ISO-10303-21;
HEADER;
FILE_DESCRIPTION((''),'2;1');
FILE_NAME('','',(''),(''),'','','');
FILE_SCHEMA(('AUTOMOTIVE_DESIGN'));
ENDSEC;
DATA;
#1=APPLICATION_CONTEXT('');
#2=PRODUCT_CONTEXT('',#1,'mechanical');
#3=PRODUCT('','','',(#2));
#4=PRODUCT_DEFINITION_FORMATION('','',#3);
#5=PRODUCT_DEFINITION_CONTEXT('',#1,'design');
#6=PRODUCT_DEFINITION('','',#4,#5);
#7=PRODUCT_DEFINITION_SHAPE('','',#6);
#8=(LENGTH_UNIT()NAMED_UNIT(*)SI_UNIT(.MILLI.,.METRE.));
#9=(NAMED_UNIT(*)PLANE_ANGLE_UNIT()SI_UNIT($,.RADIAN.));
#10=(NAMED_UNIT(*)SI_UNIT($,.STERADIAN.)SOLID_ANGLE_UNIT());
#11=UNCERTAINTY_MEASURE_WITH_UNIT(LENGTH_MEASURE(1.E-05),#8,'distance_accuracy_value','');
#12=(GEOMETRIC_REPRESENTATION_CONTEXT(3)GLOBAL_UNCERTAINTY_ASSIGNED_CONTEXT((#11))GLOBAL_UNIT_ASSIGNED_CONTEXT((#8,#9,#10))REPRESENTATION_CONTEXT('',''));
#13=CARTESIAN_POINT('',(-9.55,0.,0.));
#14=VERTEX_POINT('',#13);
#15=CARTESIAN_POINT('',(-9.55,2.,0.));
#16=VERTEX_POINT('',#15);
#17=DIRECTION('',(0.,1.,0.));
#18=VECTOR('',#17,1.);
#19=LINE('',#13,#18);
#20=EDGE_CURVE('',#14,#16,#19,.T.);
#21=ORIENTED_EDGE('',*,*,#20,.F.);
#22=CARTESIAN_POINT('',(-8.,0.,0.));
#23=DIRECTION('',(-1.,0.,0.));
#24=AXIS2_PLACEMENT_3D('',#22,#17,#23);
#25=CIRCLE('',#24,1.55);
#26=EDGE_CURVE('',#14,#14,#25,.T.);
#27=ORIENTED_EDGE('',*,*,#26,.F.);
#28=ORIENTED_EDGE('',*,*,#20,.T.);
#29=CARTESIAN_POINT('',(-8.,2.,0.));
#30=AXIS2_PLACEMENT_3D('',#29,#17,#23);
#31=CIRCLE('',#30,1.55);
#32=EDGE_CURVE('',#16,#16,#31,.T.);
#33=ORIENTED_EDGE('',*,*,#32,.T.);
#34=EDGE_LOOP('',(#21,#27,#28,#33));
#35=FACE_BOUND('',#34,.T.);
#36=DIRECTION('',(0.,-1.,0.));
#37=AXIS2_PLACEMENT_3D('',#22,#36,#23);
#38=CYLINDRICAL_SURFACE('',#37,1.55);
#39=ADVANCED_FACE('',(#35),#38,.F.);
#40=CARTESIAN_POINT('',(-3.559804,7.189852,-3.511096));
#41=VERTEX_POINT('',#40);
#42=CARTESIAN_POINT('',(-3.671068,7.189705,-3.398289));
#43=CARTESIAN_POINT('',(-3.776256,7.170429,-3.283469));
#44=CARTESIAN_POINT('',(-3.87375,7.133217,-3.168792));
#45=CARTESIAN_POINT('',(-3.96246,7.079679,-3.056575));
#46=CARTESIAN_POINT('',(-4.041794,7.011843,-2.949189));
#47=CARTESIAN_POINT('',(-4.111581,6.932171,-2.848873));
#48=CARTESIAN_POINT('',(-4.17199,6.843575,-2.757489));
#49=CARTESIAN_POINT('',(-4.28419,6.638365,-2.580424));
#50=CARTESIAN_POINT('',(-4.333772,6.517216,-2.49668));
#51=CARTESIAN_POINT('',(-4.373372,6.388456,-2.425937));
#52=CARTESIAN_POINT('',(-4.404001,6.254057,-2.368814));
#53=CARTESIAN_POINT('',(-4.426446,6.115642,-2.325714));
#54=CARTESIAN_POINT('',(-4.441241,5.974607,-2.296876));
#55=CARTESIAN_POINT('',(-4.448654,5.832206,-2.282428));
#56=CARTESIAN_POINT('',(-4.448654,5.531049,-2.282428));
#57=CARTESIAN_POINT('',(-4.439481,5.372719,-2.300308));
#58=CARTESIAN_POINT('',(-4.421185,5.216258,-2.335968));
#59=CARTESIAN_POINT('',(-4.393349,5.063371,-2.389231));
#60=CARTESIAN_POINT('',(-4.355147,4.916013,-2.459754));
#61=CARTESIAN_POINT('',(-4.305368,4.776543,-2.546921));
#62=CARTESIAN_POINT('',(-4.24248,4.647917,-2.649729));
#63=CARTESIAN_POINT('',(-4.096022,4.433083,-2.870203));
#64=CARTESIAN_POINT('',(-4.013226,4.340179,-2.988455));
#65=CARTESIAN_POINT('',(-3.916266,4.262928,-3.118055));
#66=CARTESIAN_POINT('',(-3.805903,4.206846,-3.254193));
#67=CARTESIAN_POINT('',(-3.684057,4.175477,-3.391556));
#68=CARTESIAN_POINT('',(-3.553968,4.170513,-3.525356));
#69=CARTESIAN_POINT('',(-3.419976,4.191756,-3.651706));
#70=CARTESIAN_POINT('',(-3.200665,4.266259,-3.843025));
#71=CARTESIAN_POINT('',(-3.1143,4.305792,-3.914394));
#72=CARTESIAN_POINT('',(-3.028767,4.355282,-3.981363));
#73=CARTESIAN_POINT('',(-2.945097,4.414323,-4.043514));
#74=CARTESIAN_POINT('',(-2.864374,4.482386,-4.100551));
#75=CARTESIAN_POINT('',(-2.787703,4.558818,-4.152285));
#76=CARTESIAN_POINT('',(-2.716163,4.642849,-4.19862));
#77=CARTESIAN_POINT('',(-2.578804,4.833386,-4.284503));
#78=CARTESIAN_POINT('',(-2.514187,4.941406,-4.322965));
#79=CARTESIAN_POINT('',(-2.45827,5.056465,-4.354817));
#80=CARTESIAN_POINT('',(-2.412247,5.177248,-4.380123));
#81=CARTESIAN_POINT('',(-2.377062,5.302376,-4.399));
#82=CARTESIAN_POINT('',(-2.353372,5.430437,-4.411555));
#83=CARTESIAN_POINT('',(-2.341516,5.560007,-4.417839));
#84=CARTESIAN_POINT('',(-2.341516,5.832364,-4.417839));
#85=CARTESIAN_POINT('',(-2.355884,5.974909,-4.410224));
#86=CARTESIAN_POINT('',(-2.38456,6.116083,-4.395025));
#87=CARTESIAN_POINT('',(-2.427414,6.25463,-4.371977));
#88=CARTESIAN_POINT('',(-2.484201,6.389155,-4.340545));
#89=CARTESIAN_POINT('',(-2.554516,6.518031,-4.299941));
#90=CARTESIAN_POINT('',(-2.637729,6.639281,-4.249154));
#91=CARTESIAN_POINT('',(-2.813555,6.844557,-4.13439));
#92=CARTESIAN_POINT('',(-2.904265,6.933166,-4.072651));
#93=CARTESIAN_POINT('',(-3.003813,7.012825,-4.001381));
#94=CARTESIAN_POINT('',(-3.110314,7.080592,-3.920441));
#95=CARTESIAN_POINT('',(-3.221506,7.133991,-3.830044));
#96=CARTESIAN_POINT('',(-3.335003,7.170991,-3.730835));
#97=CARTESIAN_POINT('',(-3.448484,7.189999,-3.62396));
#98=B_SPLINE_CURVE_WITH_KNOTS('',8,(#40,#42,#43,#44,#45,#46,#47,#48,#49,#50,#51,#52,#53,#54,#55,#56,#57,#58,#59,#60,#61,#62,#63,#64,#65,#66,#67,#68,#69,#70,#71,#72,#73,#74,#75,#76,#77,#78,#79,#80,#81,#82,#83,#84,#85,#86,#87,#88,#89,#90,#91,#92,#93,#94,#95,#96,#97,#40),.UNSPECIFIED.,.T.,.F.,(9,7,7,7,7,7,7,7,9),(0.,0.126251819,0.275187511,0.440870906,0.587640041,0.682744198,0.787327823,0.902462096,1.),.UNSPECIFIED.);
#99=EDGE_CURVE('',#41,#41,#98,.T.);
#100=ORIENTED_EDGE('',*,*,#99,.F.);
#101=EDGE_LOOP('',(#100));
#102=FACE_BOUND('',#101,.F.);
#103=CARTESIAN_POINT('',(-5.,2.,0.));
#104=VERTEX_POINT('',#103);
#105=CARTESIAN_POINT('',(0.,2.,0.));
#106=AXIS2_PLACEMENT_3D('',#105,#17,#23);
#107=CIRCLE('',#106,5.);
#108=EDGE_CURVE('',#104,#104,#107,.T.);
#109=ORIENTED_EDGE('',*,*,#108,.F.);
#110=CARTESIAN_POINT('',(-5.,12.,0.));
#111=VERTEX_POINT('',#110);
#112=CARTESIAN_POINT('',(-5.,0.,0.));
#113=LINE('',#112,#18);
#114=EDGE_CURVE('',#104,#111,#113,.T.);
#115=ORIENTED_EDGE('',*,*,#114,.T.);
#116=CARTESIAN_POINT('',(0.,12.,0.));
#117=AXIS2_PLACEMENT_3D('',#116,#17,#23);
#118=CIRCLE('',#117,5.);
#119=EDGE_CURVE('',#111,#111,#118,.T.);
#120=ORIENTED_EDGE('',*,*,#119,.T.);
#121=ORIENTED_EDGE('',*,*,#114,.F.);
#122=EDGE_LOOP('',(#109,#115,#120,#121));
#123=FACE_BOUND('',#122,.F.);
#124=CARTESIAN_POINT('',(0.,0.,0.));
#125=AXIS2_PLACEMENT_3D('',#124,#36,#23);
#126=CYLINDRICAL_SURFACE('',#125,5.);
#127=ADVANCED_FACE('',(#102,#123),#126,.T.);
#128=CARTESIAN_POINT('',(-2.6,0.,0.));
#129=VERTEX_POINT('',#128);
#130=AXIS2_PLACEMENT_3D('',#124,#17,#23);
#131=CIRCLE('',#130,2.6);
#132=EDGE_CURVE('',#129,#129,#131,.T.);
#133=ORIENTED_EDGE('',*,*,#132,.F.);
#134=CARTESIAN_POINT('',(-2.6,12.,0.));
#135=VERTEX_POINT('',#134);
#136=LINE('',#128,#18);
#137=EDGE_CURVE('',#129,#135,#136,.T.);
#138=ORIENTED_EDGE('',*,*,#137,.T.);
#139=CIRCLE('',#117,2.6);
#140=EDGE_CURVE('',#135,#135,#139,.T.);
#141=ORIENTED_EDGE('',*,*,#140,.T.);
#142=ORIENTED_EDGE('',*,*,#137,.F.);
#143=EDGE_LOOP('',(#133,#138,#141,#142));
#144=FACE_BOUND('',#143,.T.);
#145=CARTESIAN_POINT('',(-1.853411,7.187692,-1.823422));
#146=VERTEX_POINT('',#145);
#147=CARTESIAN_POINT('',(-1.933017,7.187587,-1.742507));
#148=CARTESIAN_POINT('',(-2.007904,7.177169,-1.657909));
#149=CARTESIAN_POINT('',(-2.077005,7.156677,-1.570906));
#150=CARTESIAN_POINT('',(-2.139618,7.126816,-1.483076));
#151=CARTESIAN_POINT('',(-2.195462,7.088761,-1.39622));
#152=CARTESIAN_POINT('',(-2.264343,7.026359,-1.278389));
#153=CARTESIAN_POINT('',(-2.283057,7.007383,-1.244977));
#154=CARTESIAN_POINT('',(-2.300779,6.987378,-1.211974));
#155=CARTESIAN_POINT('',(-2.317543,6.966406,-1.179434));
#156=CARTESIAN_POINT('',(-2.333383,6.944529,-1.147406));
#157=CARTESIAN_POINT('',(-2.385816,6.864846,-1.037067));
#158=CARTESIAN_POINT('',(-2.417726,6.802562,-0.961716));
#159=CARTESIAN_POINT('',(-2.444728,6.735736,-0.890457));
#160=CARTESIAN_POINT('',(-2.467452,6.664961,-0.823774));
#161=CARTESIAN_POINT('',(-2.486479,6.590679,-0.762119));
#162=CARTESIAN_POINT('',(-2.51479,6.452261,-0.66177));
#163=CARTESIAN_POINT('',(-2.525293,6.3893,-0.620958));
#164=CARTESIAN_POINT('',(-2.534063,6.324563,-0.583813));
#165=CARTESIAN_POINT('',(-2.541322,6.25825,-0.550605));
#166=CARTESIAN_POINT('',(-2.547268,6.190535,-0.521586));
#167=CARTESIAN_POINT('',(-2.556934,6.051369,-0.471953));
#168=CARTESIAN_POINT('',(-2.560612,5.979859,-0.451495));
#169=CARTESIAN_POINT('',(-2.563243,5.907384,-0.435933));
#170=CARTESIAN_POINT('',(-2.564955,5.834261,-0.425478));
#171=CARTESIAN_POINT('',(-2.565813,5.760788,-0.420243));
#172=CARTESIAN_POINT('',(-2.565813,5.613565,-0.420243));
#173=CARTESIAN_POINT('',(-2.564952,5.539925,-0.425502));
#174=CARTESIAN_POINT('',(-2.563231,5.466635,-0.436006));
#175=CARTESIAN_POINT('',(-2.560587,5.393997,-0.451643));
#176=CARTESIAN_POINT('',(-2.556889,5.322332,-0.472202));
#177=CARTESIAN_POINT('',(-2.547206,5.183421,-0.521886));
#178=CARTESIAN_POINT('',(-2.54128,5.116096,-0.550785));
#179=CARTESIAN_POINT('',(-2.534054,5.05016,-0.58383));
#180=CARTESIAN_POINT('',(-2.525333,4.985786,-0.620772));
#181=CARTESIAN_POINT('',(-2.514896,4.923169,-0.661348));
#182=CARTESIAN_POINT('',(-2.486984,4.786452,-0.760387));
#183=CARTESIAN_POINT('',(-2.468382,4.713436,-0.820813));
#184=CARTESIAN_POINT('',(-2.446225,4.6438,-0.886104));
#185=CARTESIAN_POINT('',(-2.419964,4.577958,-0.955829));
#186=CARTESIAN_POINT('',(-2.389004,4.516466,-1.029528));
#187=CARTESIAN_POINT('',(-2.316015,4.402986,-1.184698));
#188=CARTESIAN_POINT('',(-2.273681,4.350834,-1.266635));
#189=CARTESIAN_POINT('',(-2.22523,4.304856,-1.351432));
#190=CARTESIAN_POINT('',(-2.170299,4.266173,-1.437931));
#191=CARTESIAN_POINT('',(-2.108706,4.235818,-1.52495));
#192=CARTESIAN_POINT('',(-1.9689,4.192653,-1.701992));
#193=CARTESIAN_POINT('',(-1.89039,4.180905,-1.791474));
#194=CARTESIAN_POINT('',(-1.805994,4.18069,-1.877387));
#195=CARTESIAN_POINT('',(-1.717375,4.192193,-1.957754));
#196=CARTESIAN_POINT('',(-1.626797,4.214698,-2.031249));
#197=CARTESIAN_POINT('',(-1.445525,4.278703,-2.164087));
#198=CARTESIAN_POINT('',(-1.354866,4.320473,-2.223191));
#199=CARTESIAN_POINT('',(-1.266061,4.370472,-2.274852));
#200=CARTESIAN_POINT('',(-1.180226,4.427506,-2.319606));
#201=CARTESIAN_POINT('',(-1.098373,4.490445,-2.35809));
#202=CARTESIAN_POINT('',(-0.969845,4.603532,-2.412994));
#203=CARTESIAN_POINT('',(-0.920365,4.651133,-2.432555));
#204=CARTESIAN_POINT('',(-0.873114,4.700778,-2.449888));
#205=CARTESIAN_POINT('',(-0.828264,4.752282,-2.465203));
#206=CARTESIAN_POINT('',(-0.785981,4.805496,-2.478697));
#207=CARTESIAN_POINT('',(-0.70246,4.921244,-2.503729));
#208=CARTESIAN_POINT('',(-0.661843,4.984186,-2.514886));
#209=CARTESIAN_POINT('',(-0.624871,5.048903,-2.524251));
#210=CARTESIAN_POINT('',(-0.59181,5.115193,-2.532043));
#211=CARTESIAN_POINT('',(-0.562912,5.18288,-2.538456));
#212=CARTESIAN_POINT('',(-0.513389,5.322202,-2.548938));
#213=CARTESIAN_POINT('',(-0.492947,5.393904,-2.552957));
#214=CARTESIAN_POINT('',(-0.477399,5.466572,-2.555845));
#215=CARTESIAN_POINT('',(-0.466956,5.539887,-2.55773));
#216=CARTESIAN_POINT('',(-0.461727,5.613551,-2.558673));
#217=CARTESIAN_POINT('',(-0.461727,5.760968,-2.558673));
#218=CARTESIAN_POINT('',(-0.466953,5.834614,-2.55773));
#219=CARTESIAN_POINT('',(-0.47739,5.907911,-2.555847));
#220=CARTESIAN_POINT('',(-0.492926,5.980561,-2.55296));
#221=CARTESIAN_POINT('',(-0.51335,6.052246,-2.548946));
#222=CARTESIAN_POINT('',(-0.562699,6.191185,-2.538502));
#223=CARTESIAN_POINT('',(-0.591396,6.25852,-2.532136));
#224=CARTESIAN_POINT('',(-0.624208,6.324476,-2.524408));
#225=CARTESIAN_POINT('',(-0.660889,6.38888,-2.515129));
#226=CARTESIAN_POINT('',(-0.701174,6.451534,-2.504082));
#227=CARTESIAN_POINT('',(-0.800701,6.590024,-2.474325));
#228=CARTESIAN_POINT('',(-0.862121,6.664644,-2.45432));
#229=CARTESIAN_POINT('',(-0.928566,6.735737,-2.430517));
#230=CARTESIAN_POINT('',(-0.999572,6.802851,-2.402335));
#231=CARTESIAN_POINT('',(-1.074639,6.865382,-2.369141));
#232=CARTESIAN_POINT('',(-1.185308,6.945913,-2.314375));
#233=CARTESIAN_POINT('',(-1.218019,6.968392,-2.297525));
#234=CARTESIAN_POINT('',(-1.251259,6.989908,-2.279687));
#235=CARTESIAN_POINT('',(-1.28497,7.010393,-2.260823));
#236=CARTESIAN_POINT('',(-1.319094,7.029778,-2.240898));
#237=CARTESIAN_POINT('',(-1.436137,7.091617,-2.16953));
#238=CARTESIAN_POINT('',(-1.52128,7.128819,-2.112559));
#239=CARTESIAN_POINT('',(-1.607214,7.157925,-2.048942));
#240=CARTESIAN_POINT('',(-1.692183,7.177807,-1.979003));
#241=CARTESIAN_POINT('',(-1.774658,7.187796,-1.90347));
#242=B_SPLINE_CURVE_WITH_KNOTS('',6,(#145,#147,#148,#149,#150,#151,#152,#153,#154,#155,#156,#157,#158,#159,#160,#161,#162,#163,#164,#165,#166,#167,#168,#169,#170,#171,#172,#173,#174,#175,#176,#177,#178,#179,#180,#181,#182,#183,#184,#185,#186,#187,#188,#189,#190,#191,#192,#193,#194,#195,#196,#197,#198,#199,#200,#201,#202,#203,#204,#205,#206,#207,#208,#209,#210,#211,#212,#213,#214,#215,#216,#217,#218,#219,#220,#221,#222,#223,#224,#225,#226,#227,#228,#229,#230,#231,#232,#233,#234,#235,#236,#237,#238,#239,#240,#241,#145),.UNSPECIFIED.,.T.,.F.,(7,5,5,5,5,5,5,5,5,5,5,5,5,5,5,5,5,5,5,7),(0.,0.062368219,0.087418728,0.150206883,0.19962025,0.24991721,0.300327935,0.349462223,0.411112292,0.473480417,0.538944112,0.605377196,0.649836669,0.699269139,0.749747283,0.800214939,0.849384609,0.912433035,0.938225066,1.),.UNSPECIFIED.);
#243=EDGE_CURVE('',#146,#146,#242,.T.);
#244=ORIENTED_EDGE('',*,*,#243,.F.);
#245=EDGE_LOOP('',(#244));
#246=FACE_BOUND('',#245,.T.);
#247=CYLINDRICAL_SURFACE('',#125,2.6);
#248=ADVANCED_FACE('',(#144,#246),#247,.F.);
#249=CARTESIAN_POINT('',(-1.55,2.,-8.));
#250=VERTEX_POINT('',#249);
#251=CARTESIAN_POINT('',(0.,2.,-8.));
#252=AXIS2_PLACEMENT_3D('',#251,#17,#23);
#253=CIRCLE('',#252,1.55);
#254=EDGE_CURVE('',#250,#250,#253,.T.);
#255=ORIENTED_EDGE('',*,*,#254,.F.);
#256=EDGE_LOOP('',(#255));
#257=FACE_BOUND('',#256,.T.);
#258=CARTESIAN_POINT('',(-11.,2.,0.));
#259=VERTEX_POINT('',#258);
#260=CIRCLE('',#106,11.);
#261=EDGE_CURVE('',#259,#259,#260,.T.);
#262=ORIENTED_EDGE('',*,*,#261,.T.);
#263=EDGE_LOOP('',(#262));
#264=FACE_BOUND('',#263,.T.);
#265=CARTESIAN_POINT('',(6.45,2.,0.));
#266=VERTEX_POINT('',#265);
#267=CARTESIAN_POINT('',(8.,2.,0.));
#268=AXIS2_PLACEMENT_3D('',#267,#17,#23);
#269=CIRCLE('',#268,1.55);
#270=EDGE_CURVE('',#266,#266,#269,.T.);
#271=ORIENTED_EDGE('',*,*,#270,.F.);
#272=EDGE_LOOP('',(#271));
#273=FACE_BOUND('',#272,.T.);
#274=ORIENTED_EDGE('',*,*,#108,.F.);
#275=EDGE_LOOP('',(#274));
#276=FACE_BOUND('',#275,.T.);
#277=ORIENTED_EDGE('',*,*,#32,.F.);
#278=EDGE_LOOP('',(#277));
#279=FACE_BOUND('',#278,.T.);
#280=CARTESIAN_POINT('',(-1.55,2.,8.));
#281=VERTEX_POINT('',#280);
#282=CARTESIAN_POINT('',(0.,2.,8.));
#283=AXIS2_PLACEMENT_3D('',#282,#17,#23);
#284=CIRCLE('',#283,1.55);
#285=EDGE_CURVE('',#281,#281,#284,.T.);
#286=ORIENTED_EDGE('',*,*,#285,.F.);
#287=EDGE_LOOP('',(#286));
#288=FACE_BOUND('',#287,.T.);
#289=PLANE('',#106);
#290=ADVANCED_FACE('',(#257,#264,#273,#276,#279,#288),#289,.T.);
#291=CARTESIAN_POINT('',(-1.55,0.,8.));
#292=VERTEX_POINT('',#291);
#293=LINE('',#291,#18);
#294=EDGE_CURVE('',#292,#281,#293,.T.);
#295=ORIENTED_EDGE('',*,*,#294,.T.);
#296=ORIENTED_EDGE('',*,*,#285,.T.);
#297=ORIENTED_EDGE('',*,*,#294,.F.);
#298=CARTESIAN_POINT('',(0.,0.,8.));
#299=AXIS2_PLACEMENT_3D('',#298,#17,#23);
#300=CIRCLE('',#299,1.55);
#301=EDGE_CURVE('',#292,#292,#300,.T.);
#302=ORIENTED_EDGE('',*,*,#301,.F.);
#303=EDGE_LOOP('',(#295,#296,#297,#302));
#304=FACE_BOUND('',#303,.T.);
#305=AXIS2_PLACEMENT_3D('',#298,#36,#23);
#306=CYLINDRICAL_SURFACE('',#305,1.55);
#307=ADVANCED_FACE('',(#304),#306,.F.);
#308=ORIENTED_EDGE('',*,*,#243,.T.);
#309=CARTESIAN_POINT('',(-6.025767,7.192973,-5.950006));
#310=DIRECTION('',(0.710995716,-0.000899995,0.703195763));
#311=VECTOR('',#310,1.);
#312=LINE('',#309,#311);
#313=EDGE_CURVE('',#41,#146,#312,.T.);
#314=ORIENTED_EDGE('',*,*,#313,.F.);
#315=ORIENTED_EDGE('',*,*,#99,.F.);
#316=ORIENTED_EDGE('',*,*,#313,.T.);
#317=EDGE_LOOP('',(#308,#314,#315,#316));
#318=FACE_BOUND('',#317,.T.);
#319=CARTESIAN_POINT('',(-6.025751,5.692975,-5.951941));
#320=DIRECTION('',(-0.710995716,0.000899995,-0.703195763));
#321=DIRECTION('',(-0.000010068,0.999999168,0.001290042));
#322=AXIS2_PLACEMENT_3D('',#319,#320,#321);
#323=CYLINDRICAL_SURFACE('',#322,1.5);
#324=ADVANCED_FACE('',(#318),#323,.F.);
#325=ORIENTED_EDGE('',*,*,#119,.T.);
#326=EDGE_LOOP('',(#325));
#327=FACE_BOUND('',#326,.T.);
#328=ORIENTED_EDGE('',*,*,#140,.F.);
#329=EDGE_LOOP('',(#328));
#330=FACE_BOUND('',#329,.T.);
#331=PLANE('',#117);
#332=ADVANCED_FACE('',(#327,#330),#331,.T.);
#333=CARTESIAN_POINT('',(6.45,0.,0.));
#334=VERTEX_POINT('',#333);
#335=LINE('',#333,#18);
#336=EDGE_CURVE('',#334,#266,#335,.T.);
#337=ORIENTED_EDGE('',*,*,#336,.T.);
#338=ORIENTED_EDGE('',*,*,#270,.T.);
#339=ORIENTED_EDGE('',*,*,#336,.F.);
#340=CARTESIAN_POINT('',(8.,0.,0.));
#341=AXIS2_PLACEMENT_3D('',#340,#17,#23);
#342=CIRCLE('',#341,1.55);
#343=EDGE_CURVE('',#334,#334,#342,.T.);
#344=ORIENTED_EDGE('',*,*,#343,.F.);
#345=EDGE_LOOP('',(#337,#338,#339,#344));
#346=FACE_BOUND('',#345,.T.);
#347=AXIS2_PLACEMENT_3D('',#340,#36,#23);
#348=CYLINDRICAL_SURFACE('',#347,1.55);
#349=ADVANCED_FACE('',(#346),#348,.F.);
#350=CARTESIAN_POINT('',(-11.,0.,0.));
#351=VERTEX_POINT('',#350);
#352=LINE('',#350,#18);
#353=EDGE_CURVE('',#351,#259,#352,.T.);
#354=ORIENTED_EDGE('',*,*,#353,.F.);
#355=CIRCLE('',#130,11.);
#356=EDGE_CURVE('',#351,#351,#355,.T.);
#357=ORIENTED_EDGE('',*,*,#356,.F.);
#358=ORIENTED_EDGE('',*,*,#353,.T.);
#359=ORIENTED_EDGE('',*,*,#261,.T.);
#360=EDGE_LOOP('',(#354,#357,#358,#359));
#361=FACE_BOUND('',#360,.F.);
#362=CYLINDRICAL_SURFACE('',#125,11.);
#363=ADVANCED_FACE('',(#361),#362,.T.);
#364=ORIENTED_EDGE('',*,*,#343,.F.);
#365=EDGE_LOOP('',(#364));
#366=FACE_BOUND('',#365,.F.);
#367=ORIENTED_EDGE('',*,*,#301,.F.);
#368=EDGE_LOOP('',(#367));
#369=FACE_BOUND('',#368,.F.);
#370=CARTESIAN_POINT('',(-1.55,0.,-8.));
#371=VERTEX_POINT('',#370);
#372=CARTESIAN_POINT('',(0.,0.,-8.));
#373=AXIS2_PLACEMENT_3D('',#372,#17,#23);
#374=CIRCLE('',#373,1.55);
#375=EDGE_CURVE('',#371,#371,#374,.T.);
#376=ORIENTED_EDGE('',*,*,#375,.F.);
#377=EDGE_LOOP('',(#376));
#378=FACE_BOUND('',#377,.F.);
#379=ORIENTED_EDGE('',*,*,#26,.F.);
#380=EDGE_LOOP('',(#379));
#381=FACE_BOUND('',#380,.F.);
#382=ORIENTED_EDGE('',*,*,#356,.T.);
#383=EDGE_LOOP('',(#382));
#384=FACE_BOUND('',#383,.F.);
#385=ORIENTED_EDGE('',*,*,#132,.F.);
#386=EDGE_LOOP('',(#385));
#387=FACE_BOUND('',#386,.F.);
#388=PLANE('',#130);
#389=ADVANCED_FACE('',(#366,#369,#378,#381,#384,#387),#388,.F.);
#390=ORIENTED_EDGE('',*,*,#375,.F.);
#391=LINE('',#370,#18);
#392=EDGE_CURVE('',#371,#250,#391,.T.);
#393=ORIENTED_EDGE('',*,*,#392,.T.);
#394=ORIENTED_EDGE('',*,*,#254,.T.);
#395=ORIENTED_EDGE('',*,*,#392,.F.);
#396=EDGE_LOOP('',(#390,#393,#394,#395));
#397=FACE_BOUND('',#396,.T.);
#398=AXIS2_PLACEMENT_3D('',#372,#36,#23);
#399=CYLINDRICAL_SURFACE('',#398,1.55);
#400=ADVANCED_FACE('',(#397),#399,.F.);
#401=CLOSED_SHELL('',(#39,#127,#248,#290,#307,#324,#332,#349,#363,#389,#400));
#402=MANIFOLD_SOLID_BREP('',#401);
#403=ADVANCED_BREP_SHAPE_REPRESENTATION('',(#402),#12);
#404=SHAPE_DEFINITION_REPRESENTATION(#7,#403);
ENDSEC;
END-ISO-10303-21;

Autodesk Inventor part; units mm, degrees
ref_plane "YZ Plane" through (0, 0, 0) normal (1, 0, 0) x (0, 1, 0)
ref_plane "XZ Plane" through (0, 0, 0) normal (0, 1, 0) x (-1, 0, 0)
sketch "Эскиз1" plane through (0, 0, 0) normal (0, 1, 0) x (-1, 0, 0)
  circle A0 centre (0, 0) radius 5
  circle A1 centre (0, 0) radius 2.6
  circle A2 centre (0, 0) radius 11
  circle A3 centre (8, 0) radius 1.55
  circle A4 centre (-8, 0) radius 1.55
  circle A5 centre (0, 8) radius 1.55
  circle A6 centre (0, -8) radius 1.55
  dimension "d0" = 5.2
  dimension "d1" = 10
  dimension "d2" = 22
  dimension "d3" = 3.1
  dimension "d4" = 3.1
  dimension "d5" = 16
  dimension "d6" = 8
  dimension "d7" = 3.1
  dimension "d8" = 3.1
  dimension "d9" = 8
  dimension "d10" = 8
  dimension "d11" = 16
extrude "Выдавливание1" add sketch "Эскиз1" along normal blind 2 contours A2
extrude "Выдавливание2" add sketch "Эскиз1" along normal blind 12 contours A0
sketch "Эскиз2" plane through (0, 0, 0) normal (1, 0, 0) x (0, 1, 0)
  point P0 (0, 0)
  point P1 (-0.4556, -12.0524)
  point P2 (8.9773, -12.0404)
sketch "Эскиз3" plane through (0, 0, 0) normal (0, 0, 1) x (1, 0, 0)
  point P0 (0, 0)
  point P1 (-11.9191, -0.1213)
  point P2 (-11.9191, 9.5232)
ref_plane "РабПлоскость1" through (0, -0.4556, -12.0524) normal (0.711, -0.0009, 0.7032) x (0, 1, 0.0013)
sketch "Эскиз4" plane through (0, -0.4556, -12.0524) normal (0.711, -0.0009, 0.7032) x (0, 1, 0.0013)
  circle A0 centre (6.1565, 8.569) radius 1.5
  point P0 (0.4709, 8.569)
  dimension "d16" = 3
extrude "Выдавливание3" cut sketch "Эскиз4" along normal up to surface
properties part number "Муфта"
